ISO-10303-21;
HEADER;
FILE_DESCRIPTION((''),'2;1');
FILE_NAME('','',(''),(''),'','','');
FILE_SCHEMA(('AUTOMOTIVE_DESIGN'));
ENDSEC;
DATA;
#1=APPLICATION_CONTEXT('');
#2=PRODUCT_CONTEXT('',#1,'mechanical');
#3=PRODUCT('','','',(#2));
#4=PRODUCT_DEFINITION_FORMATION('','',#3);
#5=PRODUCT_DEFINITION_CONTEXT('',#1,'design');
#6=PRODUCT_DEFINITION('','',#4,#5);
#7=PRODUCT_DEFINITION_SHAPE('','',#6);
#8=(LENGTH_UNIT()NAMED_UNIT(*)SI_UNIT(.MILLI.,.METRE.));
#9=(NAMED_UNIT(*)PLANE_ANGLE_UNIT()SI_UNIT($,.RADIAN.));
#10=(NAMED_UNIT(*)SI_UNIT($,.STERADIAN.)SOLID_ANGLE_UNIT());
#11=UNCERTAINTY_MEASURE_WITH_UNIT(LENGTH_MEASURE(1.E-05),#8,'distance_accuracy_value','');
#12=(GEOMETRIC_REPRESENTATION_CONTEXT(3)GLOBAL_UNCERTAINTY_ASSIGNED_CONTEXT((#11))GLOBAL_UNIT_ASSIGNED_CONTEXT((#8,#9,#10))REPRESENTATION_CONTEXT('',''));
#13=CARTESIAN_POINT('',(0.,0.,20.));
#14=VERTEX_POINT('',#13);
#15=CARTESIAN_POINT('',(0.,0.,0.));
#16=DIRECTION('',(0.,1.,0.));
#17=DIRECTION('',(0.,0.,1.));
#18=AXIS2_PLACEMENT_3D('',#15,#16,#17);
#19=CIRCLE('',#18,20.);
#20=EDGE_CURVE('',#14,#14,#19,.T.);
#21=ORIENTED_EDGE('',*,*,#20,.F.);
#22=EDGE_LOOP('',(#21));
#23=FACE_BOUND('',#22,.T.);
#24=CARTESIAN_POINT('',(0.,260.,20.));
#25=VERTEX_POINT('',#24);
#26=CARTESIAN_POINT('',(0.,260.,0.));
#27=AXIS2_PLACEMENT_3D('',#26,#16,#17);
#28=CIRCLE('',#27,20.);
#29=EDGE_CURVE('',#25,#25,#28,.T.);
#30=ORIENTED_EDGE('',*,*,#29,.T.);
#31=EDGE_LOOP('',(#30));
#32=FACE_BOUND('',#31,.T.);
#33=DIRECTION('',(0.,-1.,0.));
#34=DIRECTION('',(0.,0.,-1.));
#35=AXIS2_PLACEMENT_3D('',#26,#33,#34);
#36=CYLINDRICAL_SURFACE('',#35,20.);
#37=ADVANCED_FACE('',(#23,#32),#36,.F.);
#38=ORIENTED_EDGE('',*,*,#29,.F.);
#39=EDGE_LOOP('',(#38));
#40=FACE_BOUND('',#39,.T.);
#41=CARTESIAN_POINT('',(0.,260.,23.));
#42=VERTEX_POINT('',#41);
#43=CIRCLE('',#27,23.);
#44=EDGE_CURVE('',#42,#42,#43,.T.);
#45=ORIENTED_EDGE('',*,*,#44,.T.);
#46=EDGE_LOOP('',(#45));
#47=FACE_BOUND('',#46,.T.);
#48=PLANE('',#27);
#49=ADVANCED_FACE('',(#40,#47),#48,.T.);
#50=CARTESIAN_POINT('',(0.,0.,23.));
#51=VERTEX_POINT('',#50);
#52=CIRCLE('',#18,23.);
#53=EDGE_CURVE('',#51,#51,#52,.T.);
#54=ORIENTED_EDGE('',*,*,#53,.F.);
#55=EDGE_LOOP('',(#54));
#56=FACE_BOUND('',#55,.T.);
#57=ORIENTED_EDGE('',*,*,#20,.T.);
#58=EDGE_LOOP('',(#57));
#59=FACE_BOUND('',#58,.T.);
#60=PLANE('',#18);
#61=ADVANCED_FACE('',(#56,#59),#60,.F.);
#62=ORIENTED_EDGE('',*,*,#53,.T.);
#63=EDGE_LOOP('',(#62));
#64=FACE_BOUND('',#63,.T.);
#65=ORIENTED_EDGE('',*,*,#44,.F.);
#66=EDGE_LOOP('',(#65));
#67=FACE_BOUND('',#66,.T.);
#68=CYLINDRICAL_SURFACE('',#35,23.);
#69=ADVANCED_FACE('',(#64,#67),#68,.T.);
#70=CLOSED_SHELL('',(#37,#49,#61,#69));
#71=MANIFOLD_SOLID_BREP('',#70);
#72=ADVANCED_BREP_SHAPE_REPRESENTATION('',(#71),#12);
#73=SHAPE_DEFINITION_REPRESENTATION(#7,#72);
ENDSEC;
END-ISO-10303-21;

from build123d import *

# Parameters (mm, degrees)
SKETCH_1_R      = 23
SKETCH_1_R_2    = 20
EXTRUDE_1_DEPTH = 260


with BuildPart() as part:
    # 草圖1 → 填料-伸長1 (new body)
    with BuildSketch(Plane(origin=(0, 0, 0), x_dir=(1, 0, 0), z_dir=(0, 1, 0))):
        Circle(SKETCH_1_R)
        Circle(SKETCH_1_R_2, mode=Mode.SUBTRACT)
    extrude(amount=EXTRUDE_1_DEPTH)


solid = part.part
